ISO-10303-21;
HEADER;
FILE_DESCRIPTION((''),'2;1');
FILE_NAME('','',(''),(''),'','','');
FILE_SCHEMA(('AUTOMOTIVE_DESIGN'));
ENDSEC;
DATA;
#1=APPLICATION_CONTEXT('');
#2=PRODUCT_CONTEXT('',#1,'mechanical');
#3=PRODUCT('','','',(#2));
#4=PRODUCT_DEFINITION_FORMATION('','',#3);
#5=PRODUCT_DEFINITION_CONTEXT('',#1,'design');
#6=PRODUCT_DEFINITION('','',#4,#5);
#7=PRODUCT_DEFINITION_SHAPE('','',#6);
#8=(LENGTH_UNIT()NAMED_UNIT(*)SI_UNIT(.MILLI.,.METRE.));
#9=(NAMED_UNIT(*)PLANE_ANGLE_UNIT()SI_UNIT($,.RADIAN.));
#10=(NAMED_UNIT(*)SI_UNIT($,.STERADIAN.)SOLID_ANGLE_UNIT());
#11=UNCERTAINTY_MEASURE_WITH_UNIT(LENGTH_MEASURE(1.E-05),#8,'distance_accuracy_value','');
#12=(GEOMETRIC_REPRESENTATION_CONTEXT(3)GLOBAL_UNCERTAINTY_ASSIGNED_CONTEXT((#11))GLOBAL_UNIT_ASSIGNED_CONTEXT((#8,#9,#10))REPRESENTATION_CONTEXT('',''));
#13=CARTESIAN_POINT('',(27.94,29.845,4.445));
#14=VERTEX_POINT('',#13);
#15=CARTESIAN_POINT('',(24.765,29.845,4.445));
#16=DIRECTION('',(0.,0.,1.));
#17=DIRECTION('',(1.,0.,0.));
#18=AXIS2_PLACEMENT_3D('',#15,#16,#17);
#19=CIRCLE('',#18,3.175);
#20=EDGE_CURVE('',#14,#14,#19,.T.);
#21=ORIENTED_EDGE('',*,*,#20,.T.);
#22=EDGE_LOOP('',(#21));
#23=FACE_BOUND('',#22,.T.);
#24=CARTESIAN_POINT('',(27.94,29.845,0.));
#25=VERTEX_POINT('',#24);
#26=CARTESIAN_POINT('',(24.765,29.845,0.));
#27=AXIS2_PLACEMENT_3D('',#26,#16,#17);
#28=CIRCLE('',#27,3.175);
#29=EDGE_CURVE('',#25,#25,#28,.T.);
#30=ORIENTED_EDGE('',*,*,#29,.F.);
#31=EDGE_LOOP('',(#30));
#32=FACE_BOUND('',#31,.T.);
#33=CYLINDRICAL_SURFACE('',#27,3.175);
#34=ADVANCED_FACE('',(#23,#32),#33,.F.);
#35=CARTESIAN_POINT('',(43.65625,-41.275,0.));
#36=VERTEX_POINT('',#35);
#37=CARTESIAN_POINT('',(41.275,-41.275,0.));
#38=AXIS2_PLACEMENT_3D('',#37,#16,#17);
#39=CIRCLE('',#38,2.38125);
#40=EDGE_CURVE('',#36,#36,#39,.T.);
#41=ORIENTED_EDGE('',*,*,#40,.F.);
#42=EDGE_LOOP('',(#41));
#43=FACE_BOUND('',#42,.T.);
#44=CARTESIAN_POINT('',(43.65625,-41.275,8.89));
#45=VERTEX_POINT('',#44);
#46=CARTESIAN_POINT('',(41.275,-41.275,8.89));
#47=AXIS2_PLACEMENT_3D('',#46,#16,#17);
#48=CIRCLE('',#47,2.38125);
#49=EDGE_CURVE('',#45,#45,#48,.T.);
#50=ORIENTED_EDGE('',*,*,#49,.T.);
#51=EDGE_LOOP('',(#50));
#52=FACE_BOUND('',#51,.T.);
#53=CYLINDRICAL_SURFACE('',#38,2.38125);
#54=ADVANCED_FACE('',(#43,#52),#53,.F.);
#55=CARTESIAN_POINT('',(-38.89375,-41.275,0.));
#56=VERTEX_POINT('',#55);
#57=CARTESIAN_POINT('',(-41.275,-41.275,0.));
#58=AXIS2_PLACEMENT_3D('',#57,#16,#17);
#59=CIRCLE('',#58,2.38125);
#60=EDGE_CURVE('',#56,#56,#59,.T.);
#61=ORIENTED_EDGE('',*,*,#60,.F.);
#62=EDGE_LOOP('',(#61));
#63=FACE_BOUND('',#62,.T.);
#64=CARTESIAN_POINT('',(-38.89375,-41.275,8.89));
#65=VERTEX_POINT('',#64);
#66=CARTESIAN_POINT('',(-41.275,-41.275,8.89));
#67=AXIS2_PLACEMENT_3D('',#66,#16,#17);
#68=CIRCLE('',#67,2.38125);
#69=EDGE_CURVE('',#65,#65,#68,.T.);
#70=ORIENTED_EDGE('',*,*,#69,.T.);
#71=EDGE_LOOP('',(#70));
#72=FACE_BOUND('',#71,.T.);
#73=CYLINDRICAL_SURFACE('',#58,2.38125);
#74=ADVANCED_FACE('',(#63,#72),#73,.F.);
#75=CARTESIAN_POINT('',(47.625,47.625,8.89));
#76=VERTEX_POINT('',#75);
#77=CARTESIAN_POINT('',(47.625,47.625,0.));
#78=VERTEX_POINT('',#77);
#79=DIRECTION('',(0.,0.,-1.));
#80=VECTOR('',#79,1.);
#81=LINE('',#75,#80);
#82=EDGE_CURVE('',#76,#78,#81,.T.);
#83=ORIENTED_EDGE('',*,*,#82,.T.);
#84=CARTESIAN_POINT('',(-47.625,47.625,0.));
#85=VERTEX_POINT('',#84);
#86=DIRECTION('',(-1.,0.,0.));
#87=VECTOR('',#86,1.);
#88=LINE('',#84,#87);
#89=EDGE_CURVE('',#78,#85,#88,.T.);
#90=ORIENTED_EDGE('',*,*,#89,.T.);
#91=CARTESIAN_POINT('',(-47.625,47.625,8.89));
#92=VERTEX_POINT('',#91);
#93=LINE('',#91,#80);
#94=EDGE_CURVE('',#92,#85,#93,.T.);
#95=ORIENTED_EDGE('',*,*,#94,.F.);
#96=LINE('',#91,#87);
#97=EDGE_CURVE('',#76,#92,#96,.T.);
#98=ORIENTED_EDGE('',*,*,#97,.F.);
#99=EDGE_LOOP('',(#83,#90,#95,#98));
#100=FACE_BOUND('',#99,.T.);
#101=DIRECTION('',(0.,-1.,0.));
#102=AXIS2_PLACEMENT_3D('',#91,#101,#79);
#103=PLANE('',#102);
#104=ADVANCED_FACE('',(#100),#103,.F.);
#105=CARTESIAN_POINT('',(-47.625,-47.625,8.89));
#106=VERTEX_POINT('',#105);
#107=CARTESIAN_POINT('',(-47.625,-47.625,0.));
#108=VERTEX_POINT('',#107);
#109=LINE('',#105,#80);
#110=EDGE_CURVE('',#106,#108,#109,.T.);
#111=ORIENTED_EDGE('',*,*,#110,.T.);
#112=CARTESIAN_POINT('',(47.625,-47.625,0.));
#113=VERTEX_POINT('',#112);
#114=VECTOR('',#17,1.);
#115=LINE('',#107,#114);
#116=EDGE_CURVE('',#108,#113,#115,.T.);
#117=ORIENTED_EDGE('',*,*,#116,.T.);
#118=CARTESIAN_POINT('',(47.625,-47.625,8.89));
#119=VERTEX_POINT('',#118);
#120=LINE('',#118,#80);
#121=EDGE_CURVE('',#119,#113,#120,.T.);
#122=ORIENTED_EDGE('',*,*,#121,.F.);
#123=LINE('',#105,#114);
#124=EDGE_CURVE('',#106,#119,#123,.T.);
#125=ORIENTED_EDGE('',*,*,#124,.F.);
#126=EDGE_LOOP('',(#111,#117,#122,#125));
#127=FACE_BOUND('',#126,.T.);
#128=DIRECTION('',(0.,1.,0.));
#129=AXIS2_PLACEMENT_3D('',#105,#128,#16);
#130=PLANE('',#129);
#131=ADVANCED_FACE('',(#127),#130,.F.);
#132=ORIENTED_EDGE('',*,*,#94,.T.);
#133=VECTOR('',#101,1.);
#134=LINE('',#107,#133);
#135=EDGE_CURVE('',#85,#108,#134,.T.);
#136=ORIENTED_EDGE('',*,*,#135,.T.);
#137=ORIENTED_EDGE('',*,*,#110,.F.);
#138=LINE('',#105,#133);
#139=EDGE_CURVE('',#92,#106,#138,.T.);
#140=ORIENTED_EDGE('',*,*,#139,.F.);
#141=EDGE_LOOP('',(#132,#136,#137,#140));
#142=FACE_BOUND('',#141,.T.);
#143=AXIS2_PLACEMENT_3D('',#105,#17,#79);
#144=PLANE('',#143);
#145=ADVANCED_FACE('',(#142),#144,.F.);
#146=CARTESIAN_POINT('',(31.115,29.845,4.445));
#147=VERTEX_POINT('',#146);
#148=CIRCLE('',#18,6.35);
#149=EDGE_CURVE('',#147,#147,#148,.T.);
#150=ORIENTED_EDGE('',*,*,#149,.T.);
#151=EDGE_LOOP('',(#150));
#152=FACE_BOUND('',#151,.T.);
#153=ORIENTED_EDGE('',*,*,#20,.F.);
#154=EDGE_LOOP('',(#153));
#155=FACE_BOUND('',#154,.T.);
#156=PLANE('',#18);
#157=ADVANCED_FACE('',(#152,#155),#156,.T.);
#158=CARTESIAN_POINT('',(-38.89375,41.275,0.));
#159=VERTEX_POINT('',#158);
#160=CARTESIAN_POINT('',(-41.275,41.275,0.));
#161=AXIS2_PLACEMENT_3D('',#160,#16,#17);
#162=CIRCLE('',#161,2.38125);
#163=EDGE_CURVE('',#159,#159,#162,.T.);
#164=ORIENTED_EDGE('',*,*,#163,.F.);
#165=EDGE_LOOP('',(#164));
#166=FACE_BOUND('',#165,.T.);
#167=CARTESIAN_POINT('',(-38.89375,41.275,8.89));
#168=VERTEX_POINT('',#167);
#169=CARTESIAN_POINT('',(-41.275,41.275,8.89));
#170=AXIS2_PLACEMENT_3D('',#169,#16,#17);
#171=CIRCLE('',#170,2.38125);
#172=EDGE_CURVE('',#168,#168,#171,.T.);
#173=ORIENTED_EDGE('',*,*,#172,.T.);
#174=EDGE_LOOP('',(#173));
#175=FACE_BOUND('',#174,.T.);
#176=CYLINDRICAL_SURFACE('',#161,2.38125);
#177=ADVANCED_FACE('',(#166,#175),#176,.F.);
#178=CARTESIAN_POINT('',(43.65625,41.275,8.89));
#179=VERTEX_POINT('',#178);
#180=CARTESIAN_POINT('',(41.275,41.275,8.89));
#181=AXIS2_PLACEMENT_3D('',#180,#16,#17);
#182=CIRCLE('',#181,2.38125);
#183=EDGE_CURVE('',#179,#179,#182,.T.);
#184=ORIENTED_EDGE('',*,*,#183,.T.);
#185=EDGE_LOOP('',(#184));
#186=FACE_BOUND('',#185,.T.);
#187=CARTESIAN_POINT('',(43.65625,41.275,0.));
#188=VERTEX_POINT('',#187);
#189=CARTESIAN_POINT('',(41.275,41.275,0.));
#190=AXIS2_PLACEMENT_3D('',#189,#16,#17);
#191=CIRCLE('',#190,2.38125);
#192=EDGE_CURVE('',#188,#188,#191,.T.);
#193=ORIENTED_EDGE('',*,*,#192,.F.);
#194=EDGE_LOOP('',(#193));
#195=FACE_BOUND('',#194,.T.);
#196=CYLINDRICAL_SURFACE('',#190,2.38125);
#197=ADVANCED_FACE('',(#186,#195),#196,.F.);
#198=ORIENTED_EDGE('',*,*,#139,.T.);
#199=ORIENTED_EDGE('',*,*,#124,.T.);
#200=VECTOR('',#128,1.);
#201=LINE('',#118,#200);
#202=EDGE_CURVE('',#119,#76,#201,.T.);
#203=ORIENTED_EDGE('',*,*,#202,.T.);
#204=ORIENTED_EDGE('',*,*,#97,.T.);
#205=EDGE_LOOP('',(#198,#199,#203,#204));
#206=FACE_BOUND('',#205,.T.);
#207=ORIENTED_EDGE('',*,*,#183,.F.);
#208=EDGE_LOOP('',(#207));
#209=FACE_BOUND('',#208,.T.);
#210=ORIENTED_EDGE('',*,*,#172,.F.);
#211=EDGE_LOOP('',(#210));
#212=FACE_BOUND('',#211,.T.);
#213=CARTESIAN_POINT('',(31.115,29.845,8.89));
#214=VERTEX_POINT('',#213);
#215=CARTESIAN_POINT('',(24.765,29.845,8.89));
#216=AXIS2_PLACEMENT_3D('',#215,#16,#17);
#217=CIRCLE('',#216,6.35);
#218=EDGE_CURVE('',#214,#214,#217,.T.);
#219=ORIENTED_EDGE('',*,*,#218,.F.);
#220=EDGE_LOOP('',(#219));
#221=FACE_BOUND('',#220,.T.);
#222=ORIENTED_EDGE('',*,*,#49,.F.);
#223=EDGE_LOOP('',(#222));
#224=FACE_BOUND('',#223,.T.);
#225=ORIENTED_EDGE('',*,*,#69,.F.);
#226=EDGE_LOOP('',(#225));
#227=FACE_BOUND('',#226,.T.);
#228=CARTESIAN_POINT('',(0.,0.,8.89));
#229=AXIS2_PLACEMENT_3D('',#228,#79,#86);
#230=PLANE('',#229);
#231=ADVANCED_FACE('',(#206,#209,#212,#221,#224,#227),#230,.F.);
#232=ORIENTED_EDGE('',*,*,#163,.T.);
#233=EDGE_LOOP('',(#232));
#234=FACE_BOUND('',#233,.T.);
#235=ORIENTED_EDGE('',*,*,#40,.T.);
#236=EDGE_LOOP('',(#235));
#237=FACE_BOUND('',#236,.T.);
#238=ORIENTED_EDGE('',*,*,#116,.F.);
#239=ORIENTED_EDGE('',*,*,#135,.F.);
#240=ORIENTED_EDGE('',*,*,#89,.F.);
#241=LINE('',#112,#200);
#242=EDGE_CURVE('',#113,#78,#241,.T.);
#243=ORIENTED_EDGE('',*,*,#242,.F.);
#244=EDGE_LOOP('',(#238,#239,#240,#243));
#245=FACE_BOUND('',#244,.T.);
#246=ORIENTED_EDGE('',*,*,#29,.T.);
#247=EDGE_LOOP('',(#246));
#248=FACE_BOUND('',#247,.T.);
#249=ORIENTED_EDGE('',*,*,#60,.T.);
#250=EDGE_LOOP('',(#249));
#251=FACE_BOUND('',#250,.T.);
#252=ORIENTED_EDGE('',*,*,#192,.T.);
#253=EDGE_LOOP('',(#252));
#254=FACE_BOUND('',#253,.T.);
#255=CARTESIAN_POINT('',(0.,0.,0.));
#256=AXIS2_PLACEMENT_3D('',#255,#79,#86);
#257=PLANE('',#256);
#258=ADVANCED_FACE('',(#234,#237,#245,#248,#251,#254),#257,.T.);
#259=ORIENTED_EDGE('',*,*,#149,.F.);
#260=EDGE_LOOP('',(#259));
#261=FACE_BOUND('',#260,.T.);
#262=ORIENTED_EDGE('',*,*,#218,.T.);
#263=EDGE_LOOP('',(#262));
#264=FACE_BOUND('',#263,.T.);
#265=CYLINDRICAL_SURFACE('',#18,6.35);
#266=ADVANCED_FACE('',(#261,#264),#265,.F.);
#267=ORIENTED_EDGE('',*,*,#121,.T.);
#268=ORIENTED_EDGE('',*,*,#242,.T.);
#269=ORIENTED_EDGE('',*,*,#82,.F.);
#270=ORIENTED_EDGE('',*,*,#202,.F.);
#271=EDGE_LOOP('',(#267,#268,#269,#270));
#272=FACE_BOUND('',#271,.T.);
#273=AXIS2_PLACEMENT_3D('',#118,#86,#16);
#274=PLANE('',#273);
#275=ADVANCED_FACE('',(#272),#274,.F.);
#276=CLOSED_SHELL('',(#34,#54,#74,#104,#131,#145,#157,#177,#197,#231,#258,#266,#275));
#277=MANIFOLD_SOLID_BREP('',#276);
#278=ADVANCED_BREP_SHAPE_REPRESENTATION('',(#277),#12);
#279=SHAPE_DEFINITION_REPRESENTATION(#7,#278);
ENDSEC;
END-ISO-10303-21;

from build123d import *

# Parameters (mm, degrees)
SKETCH1_W           = 95.25
SKETCH1_H           = 95.25
BOSS_EXTRUDE1_DEPTH = 8.89
SKETCH2_OUTSIDE_W   = 124.25
SKETCH2_OUTSIDE_H   = 124.25
SKETCH2_OUTSIDE_W_2 = 95.25
SKETCH2_OUTSIDE_H_2 = 95.25
SKETCH2_OUTSIDE_R   = 2.38125
CUT_EXTRUDE2_DEPTH  = 9.89
SKETCH3_R           = 6.35
CUT_EXTRUDE3_DEPTH  = 4.445
SKETCH4_R           = 3.175
CUT_EXTRUDE4_DEPTH  = 5.445


with BuildPart() as part:
    # Sketch1 → Boss-Extrude1 (new body)
    with BuildSketch(Plane.XY):
        Rectangle(SKETCH1_W, SKETCH1_H)
    extrude(amount=BOSS_EXTRUDE1_DEPTH)

    # Sketch2 outside → Cut-Extrude2 (cut, through all)
    with BuildSketch(Plane.XY.offset(8.89)):
        Rectangle(SKETCH2_OUTSIDE_W, SKETCH2_OUTSIDE_H)
        Rectangle(SKETCH2_OUTSIDE_W_2, SKETCH2_OUTSIDE_H_2, mode=Mode.SUBTRACT)
        with Locations((-41.275, 41.275)):
            Circle(SKETCH2_OUTSIDE_R)
        with Locations((41.275, 41.275)):
            Circle(SKETCH2_OUTSIDE_R)
        with Locations((41.275, -41.275)):
            Circle(SKETCH2_OUTSIDE_R)
        with Locations((-41.275, -41.275)):
            Circle(SKETCH2_OUTSIDE_R)
    extrude(amount=-CUT_EXTRUDE2_DEPTH, mode=Mode.SUBTRACT)

    # Sketch3 → Cut-Extrude3 (cut)
    with BuildSketch(Plane.XY.offset(8.89)):
        with Locations((24.765, 29.845)):
            Circle(SKETCH3_R)
    extrude(amount=-CUT_EXTRUDE3_DEPTH, mode=Mode.SUBTRACT)

    # Sketch4 → Cut-Extrude4 (cut, through all)
    with BuildSketch(Plane.XY.offset(4.445)):
        with Locations((24.765, 29.845)):
            Circle(SKETCH4_R)
    extrude(amount=-CUT_EXTRUDE4_DEPTH, mode=Mode.SUBTRACT)


solid = part.part
